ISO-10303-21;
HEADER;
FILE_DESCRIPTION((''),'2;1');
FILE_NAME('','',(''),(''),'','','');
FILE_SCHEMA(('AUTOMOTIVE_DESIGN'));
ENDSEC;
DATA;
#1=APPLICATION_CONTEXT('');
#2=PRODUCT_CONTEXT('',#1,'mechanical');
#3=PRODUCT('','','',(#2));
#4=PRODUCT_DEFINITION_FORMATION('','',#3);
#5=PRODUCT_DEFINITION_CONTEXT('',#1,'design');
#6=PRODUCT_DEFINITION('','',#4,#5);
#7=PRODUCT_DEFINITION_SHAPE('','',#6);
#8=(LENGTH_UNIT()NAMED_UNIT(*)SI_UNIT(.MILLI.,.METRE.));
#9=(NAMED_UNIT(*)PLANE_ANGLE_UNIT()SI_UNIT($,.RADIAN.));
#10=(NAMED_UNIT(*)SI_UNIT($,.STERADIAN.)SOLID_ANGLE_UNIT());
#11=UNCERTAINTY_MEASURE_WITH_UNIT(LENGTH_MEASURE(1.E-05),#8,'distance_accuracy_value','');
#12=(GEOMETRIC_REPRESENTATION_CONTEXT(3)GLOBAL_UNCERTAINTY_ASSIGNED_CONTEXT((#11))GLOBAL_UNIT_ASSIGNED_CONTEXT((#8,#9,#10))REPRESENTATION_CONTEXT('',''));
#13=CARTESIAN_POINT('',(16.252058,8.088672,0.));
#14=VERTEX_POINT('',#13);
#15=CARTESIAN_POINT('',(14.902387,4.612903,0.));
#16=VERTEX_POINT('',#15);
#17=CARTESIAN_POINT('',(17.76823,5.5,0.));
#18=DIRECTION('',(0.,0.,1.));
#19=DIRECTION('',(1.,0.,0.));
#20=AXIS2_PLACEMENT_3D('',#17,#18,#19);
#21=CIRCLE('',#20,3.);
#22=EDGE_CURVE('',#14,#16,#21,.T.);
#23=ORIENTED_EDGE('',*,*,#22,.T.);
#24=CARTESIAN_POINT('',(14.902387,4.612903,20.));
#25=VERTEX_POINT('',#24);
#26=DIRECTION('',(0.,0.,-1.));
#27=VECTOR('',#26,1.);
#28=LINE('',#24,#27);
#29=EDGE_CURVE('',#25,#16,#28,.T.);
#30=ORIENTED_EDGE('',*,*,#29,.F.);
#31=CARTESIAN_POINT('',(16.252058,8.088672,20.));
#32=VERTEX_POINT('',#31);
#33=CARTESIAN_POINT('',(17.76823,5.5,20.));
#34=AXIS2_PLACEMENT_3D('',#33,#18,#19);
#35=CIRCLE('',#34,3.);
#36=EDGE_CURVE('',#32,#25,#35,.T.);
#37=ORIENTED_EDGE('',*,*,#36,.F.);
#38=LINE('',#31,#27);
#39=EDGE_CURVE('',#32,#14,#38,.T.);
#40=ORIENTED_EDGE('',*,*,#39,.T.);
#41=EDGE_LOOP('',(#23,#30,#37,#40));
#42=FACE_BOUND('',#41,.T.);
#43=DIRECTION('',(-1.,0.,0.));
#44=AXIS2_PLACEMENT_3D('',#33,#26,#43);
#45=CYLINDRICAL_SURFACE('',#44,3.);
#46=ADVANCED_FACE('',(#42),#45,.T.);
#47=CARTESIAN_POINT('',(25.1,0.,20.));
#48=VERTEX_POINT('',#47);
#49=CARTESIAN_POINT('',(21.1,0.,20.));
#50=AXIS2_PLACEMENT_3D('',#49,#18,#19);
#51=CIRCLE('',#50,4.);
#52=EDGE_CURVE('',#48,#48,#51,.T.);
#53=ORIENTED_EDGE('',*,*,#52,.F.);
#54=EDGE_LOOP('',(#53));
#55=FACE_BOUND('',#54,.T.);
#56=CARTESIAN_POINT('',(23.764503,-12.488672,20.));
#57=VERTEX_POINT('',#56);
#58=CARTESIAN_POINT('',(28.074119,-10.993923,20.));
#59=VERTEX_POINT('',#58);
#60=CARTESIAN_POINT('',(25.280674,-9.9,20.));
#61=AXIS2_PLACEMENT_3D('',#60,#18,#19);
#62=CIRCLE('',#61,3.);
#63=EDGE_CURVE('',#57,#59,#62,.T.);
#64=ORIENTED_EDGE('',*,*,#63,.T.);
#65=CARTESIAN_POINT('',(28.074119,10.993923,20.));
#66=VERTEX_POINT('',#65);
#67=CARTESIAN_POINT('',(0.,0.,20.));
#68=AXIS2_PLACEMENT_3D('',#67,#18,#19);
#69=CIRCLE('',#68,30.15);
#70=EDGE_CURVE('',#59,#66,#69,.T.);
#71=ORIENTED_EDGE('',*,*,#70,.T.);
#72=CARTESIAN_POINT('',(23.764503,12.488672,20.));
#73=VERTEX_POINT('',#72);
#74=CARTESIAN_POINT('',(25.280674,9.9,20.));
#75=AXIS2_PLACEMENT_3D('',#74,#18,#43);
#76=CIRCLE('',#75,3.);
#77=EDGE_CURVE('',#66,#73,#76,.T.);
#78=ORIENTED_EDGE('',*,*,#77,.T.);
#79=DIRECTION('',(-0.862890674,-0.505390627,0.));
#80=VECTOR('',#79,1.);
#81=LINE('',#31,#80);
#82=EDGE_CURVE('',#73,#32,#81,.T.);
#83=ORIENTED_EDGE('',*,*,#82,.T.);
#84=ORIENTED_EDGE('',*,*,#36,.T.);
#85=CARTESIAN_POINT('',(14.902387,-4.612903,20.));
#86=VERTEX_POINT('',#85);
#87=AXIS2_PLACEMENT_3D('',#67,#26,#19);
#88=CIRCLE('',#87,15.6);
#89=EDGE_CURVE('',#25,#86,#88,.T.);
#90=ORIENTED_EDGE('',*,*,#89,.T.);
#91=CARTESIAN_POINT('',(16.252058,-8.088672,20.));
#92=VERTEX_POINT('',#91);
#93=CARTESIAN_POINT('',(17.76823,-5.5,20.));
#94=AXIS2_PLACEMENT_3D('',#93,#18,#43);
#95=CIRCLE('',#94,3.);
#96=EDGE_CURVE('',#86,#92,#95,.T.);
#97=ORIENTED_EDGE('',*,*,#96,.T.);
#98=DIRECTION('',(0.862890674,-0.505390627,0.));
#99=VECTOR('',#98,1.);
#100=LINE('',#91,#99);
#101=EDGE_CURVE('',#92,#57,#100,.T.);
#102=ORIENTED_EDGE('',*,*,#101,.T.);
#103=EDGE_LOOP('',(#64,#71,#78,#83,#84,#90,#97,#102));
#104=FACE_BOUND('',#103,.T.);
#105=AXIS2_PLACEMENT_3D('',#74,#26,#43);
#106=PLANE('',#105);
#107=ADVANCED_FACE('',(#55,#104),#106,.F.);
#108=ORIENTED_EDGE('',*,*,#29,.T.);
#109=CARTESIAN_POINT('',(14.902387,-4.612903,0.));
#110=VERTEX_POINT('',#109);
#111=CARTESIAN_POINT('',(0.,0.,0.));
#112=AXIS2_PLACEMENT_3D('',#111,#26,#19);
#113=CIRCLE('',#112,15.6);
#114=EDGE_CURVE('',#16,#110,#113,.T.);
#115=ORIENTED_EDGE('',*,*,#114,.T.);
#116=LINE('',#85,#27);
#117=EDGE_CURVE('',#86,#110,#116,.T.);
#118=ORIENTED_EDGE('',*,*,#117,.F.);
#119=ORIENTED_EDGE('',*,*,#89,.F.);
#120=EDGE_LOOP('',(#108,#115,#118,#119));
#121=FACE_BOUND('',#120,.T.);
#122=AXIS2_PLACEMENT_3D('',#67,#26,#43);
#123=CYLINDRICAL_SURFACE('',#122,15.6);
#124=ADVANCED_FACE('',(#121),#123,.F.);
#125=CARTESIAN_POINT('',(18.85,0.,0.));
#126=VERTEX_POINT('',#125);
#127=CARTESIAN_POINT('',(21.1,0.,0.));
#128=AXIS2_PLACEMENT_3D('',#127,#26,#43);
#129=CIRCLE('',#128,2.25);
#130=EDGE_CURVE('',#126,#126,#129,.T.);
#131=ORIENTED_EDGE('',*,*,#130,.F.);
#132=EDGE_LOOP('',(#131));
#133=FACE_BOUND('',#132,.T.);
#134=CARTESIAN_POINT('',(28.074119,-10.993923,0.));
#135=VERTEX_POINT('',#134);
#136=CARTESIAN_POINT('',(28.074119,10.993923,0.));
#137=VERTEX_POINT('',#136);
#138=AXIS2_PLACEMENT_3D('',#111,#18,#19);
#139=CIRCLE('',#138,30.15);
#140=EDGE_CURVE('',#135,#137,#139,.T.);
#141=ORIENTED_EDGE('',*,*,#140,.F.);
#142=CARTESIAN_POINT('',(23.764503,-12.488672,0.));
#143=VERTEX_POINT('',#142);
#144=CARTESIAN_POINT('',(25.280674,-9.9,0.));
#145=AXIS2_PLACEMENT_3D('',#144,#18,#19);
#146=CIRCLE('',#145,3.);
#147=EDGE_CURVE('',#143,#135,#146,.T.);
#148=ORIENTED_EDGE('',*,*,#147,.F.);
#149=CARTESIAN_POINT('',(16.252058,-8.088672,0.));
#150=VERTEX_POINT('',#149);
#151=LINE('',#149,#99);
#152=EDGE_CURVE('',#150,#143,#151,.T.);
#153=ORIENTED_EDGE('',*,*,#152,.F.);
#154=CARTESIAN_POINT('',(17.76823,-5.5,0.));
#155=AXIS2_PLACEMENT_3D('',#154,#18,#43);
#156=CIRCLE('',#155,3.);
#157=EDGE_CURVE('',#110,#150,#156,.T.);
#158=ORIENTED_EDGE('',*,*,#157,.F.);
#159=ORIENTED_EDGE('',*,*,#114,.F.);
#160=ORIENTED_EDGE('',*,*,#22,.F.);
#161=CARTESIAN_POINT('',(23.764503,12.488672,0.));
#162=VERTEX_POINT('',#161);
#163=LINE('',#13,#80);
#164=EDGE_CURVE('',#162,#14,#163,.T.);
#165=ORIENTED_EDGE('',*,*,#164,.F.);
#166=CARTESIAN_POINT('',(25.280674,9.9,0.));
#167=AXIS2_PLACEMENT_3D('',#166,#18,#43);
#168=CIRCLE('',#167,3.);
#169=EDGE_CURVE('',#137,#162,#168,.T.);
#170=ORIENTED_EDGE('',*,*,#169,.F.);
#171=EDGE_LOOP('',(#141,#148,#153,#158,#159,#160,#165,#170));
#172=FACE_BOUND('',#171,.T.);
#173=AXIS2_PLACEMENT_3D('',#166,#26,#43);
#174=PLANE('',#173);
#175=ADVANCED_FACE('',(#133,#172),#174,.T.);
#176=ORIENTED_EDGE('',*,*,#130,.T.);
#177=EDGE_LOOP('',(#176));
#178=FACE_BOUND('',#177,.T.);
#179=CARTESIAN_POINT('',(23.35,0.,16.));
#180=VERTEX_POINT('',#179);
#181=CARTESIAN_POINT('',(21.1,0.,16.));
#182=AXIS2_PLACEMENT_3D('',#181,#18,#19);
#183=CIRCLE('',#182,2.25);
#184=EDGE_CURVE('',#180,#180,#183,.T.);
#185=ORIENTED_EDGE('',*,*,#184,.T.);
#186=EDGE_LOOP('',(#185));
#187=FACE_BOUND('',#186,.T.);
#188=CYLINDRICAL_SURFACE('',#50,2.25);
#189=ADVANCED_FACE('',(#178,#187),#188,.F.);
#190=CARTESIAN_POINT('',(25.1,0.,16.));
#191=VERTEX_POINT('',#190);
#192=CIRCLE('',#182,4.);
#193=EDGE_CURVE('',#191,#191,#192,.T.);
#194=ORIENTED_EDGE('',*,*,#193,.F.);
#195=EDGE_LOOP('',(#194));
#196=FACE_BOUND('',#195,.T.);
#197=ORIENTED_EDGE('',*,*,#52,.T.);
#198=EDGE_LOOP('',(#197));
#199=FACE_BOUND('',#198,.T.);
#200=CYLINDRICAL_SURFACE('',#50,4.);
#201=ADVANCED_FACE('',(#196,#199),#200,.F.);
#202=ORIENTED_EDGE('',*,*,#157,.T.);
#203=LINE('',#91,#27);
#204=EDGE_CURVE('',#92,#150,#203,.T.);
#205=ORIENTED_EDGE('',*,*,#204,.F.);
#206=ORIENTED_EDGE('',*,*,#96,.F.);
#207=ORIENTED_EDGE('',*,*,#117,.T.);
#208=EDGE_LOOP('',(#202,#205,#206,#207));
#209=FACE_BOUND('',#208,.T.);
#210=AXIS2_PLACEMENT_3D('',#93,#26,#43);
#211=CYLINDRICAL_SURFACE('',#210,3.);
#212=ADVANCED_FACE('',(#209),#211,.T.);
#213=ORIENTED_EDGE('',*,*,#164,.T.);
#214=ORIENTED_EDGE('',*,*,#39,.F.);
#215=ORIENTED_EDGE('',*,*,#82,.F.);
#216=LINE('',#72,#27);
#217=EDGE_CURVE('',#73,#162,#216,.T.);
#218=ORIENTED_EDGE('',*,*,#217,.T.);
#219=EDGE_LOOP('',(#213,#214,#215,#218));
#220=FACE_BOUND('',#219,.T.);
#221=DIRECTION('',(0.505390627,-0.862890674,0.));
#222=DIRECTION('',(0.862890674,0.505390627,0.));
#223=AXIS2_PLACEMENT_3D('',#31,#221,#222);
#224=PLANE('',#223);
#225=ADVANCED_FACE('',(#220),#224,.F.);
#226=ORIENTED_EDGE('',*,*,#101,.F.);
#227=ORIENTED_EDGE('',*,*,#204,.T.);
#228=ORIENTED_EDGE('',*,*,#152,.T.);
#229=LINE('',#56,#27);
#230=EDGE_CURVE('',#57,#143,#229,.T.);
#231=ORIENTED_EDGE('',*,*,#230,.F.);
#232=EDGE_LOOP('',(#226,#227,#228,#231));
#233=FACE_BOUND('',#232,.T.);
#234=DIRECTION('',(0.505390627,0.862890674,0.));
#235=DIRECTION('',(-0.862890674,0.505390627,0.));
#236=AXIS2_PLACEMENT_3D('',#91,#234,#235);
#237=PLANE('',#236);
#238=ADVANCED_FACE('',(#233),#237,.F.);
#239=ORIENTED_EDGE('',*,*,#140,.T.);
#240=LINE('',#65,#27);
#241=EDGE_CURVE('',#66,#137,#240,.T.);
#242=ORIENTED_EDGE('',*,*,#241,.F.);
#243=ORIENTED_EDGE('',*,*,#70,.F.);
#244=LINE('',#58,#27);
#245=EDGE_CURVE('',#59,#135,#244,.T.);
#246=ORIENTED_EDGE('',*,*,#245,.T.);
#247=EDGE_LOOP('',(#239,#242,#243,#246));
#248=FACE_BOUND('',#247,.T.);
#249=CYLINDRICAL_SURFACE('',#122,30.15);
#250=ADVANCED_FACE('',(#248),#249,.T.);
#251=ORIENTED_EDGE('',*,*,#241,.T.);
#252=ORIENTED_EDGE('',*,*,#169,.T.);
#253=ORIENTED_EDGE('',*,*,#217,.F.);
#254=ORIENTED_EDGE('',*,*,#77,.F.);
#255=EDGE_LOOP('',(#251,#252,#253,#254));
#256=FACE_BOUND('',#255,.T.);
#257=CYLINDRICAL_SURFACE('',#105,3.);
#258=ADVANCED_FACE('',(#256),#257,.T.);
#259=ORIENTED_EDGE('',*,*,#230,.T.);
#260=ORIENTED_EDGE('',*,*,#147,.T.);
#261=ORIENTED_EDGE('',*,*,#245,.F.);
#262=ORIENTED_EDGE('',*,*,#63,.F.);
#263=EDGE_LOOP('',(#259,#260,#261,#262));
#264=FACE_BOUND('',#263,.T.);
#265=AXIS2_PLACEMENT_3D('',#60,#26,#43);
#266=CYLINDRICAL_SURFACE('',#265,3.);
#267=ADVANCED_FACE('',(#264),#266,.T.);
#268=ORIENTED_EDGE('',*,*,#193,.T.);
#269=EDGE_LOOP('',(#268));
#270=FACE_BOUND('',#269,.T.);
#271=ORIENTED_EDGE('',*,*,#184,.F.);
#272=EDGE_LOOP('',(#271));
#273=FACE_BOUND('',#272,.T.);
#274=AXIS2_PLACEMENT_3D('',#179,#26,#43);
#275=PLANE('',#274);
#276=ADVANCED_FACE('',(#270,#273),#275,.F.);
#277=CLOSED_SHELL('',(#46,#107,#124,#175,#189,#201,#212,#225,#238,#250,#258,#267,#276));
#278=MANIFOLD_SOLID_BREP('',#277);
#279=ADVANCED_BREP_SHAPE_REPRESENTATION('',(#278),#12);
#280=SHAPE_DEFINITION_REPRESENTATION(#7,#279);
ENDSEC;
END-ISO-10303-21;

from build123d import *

# Parameters (mm, degrees)
CORPO_DEPTH                 = 20
REBAIXO_SHCS_M4_D           = 4.5
REBAIXO_SHCS_M4_DEPTH       = 30
REBAIXO_SHCS_M4_CBORE_D     = 8
REBAIXO_SHCS_M4_CBORE_DEPTH = 4
REBAIXO_SHCS_M4_TIP         = 1.351936393


with BuildPart() as part:
    # Sketch1 → Corpo (new body)
    with BuildSketch(Plane.XY):
        with BuildLine():
            Line((16.252058195, 8.088672021), (23.764502557, 12.488672021))
            ThreePointArc((23.764502557, 12.488672021), (26.263743802, 12.734356122), (28.074119126, 10.993922652))
            ThreePointArc((28.074119126, 10.993922652), (30.15, 0), (28.074119126, -10.993922652))
            ThreePointArc((28.074119126, -10.993922652), (26.263743802, -12.734356122), (23.764502557, -12.488672021))
            Line((23.764502557, -12.488672021), (16.252058195, -8.088672021))
            ThreePointArc((16.252058195, -8.088672021), (14.971668435, -6.585929552), (14.902386515, -4.612903226))
            ThreePointArc((14.902386515, -4.612903226), (15.6, 0), (14.902386515, 4.612903226))
            ThreePointArc((14.902386515, 4.612903226), (14.971668435, 6.585929552), (16.252058195, 8.088672021))
        make_face()
    extrude(amount=CORPO_DEPTH)

    # Rebaixo SHCS M4
    with Locations(Plane.XY.offset(20)):
        with Locations((21.1, 0)):
            CounterBoreHole(REBAIXO_SHCS_M4_D / 2, REBAIXO_SHCS_M4_CBORE_D / 2, REBAIXO_SHCS_M4_CBORE_DEPTH, depth=REBAIXO_SHCS_M4_DEPTH)
            with Locations((0, 0, -(REBAIXO_SHCS_M4_DEPTH + REBAIXO_SHCS_M4_TIP / 2))):  # 118° drill point
                Cone(0, REBAIXO_SHCS_M4_D / 2, REBAIXO_SHCS_M4_TIP, mode=Mode.SUBTRACT)


solid = part.part
